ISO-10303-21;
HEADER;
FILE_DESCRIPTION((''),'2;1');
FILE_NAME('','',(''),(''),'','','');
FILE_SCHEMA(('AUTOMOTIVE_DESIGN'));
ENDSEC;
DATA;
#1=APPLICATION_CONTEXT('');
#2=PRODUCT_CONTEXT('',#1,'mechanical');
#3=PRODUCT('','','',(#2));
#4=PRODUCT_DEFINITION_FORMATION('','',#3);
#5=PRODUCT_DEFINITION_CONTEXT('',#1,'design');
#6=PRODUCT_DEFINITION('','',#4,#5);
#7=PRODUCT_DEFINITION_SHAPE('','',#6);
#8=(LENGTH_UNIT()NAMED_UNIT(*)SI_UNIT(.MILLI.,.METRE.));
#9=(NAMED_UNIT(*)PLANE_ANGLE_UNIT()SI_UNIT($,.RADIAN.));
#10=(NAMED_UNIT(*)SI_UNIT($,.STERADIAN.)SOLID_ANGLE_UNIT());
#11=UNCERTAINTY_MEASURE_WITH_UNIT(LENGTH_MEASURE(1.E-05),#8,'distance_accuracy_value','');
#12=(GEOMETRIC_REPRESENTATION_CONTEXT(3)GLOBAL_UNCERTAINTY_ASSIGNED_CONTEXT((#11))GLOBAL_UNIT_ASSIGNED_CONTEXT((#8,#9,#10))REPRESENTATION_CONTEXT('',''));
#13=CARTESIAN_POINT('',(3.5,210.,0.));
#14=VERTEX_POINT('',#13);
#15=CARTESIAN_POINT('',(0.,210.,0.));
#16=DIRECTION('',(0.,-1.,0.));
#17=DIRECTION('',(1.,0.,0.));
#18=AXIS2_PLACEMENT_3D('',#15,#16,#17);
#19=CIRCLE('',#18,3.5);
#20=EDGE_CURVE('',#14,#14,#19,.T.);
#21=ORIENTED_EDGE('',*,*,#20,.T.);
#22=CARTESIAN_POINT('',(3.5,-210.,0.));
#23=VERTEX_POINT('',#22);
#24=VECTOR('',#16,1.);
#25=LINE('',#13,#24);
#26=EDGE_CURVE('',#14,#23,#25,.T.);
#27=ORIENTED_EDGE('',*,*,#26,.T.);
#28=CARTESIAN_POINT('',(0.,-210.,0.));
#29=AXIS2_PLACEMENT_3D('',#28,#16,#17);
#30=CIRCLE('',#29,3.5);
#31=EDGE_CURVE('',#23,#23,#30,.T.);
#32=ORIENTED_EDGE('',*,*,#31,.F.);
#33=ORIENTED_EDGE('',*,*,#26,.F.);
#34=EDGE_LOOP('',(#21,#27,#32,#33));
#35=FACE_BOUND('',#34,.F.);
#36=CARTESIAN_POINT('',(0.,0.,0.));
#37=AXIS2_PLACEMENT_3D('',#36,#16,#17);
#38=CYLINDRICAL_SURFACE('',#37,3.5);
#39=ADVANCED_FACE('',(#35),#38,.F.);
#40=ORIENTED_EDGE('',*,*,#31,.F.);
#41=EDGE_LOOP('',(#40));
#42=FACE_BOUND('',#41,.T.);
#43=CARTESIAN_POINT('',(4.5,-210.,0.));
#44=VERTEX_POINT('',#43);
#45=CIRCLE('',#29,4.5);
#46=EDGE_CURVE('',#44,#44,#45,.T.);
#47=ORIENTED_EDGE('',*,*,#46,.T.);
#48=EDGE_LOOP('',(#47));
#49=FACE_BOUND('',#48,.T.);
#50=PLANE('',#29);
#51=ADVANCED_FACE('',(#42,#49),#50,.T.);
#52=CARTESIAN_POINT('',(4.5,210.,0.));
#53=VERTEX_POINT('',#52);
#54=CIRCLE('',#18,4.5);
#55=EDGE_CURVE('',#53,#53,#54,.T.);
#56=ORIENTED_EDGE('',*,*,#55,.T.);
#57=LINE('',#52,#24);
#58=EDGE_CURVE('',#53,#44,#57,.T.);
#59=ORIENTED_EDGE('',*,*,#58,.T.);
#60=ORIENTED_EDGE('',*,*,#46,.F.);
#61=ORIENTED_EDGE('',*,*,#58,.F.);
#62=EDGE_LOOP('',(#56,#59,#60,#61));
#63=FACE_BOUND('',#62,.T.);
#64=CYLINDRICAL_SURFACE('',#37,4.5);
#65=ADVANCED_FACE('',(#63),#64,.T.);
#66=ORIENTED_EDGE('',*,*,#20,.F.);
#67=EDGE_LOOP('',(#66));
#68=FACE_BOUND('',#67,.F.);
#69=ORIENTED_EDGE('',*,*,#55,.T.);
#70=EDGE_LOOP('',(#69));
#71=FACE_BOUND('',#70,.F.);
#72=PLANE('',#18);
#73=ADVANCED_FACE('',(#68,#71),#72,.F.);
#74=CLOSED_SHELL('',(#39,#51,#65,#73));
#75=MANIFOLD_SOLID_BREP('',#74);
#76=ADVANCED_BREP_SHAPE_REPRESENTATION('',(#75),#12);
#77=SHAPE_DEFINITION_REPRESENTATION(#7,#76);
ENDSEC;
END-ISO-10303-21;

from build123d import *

# Parameters (mm, degrees)
F0_R     = 4.5
F1_DEPTH = 210
F2_T     = -1


with BuildPart() as f1:
    # F0 (on Front) → F1 (new body, symmetric)
    with BuildSketch(Plane.XZ):
        Circle(F0_R)
    extrude(amount=F1_DEPTH, both=True)

    # F2
    f2_openings = [f1.faces().sort_by_distance(p)[0] for p in [
        (0, -210, 0),
        (0, 210, 0),
    ]]
    offset(amount=F2_T, openings=f2_openings)


solid = f1.part
